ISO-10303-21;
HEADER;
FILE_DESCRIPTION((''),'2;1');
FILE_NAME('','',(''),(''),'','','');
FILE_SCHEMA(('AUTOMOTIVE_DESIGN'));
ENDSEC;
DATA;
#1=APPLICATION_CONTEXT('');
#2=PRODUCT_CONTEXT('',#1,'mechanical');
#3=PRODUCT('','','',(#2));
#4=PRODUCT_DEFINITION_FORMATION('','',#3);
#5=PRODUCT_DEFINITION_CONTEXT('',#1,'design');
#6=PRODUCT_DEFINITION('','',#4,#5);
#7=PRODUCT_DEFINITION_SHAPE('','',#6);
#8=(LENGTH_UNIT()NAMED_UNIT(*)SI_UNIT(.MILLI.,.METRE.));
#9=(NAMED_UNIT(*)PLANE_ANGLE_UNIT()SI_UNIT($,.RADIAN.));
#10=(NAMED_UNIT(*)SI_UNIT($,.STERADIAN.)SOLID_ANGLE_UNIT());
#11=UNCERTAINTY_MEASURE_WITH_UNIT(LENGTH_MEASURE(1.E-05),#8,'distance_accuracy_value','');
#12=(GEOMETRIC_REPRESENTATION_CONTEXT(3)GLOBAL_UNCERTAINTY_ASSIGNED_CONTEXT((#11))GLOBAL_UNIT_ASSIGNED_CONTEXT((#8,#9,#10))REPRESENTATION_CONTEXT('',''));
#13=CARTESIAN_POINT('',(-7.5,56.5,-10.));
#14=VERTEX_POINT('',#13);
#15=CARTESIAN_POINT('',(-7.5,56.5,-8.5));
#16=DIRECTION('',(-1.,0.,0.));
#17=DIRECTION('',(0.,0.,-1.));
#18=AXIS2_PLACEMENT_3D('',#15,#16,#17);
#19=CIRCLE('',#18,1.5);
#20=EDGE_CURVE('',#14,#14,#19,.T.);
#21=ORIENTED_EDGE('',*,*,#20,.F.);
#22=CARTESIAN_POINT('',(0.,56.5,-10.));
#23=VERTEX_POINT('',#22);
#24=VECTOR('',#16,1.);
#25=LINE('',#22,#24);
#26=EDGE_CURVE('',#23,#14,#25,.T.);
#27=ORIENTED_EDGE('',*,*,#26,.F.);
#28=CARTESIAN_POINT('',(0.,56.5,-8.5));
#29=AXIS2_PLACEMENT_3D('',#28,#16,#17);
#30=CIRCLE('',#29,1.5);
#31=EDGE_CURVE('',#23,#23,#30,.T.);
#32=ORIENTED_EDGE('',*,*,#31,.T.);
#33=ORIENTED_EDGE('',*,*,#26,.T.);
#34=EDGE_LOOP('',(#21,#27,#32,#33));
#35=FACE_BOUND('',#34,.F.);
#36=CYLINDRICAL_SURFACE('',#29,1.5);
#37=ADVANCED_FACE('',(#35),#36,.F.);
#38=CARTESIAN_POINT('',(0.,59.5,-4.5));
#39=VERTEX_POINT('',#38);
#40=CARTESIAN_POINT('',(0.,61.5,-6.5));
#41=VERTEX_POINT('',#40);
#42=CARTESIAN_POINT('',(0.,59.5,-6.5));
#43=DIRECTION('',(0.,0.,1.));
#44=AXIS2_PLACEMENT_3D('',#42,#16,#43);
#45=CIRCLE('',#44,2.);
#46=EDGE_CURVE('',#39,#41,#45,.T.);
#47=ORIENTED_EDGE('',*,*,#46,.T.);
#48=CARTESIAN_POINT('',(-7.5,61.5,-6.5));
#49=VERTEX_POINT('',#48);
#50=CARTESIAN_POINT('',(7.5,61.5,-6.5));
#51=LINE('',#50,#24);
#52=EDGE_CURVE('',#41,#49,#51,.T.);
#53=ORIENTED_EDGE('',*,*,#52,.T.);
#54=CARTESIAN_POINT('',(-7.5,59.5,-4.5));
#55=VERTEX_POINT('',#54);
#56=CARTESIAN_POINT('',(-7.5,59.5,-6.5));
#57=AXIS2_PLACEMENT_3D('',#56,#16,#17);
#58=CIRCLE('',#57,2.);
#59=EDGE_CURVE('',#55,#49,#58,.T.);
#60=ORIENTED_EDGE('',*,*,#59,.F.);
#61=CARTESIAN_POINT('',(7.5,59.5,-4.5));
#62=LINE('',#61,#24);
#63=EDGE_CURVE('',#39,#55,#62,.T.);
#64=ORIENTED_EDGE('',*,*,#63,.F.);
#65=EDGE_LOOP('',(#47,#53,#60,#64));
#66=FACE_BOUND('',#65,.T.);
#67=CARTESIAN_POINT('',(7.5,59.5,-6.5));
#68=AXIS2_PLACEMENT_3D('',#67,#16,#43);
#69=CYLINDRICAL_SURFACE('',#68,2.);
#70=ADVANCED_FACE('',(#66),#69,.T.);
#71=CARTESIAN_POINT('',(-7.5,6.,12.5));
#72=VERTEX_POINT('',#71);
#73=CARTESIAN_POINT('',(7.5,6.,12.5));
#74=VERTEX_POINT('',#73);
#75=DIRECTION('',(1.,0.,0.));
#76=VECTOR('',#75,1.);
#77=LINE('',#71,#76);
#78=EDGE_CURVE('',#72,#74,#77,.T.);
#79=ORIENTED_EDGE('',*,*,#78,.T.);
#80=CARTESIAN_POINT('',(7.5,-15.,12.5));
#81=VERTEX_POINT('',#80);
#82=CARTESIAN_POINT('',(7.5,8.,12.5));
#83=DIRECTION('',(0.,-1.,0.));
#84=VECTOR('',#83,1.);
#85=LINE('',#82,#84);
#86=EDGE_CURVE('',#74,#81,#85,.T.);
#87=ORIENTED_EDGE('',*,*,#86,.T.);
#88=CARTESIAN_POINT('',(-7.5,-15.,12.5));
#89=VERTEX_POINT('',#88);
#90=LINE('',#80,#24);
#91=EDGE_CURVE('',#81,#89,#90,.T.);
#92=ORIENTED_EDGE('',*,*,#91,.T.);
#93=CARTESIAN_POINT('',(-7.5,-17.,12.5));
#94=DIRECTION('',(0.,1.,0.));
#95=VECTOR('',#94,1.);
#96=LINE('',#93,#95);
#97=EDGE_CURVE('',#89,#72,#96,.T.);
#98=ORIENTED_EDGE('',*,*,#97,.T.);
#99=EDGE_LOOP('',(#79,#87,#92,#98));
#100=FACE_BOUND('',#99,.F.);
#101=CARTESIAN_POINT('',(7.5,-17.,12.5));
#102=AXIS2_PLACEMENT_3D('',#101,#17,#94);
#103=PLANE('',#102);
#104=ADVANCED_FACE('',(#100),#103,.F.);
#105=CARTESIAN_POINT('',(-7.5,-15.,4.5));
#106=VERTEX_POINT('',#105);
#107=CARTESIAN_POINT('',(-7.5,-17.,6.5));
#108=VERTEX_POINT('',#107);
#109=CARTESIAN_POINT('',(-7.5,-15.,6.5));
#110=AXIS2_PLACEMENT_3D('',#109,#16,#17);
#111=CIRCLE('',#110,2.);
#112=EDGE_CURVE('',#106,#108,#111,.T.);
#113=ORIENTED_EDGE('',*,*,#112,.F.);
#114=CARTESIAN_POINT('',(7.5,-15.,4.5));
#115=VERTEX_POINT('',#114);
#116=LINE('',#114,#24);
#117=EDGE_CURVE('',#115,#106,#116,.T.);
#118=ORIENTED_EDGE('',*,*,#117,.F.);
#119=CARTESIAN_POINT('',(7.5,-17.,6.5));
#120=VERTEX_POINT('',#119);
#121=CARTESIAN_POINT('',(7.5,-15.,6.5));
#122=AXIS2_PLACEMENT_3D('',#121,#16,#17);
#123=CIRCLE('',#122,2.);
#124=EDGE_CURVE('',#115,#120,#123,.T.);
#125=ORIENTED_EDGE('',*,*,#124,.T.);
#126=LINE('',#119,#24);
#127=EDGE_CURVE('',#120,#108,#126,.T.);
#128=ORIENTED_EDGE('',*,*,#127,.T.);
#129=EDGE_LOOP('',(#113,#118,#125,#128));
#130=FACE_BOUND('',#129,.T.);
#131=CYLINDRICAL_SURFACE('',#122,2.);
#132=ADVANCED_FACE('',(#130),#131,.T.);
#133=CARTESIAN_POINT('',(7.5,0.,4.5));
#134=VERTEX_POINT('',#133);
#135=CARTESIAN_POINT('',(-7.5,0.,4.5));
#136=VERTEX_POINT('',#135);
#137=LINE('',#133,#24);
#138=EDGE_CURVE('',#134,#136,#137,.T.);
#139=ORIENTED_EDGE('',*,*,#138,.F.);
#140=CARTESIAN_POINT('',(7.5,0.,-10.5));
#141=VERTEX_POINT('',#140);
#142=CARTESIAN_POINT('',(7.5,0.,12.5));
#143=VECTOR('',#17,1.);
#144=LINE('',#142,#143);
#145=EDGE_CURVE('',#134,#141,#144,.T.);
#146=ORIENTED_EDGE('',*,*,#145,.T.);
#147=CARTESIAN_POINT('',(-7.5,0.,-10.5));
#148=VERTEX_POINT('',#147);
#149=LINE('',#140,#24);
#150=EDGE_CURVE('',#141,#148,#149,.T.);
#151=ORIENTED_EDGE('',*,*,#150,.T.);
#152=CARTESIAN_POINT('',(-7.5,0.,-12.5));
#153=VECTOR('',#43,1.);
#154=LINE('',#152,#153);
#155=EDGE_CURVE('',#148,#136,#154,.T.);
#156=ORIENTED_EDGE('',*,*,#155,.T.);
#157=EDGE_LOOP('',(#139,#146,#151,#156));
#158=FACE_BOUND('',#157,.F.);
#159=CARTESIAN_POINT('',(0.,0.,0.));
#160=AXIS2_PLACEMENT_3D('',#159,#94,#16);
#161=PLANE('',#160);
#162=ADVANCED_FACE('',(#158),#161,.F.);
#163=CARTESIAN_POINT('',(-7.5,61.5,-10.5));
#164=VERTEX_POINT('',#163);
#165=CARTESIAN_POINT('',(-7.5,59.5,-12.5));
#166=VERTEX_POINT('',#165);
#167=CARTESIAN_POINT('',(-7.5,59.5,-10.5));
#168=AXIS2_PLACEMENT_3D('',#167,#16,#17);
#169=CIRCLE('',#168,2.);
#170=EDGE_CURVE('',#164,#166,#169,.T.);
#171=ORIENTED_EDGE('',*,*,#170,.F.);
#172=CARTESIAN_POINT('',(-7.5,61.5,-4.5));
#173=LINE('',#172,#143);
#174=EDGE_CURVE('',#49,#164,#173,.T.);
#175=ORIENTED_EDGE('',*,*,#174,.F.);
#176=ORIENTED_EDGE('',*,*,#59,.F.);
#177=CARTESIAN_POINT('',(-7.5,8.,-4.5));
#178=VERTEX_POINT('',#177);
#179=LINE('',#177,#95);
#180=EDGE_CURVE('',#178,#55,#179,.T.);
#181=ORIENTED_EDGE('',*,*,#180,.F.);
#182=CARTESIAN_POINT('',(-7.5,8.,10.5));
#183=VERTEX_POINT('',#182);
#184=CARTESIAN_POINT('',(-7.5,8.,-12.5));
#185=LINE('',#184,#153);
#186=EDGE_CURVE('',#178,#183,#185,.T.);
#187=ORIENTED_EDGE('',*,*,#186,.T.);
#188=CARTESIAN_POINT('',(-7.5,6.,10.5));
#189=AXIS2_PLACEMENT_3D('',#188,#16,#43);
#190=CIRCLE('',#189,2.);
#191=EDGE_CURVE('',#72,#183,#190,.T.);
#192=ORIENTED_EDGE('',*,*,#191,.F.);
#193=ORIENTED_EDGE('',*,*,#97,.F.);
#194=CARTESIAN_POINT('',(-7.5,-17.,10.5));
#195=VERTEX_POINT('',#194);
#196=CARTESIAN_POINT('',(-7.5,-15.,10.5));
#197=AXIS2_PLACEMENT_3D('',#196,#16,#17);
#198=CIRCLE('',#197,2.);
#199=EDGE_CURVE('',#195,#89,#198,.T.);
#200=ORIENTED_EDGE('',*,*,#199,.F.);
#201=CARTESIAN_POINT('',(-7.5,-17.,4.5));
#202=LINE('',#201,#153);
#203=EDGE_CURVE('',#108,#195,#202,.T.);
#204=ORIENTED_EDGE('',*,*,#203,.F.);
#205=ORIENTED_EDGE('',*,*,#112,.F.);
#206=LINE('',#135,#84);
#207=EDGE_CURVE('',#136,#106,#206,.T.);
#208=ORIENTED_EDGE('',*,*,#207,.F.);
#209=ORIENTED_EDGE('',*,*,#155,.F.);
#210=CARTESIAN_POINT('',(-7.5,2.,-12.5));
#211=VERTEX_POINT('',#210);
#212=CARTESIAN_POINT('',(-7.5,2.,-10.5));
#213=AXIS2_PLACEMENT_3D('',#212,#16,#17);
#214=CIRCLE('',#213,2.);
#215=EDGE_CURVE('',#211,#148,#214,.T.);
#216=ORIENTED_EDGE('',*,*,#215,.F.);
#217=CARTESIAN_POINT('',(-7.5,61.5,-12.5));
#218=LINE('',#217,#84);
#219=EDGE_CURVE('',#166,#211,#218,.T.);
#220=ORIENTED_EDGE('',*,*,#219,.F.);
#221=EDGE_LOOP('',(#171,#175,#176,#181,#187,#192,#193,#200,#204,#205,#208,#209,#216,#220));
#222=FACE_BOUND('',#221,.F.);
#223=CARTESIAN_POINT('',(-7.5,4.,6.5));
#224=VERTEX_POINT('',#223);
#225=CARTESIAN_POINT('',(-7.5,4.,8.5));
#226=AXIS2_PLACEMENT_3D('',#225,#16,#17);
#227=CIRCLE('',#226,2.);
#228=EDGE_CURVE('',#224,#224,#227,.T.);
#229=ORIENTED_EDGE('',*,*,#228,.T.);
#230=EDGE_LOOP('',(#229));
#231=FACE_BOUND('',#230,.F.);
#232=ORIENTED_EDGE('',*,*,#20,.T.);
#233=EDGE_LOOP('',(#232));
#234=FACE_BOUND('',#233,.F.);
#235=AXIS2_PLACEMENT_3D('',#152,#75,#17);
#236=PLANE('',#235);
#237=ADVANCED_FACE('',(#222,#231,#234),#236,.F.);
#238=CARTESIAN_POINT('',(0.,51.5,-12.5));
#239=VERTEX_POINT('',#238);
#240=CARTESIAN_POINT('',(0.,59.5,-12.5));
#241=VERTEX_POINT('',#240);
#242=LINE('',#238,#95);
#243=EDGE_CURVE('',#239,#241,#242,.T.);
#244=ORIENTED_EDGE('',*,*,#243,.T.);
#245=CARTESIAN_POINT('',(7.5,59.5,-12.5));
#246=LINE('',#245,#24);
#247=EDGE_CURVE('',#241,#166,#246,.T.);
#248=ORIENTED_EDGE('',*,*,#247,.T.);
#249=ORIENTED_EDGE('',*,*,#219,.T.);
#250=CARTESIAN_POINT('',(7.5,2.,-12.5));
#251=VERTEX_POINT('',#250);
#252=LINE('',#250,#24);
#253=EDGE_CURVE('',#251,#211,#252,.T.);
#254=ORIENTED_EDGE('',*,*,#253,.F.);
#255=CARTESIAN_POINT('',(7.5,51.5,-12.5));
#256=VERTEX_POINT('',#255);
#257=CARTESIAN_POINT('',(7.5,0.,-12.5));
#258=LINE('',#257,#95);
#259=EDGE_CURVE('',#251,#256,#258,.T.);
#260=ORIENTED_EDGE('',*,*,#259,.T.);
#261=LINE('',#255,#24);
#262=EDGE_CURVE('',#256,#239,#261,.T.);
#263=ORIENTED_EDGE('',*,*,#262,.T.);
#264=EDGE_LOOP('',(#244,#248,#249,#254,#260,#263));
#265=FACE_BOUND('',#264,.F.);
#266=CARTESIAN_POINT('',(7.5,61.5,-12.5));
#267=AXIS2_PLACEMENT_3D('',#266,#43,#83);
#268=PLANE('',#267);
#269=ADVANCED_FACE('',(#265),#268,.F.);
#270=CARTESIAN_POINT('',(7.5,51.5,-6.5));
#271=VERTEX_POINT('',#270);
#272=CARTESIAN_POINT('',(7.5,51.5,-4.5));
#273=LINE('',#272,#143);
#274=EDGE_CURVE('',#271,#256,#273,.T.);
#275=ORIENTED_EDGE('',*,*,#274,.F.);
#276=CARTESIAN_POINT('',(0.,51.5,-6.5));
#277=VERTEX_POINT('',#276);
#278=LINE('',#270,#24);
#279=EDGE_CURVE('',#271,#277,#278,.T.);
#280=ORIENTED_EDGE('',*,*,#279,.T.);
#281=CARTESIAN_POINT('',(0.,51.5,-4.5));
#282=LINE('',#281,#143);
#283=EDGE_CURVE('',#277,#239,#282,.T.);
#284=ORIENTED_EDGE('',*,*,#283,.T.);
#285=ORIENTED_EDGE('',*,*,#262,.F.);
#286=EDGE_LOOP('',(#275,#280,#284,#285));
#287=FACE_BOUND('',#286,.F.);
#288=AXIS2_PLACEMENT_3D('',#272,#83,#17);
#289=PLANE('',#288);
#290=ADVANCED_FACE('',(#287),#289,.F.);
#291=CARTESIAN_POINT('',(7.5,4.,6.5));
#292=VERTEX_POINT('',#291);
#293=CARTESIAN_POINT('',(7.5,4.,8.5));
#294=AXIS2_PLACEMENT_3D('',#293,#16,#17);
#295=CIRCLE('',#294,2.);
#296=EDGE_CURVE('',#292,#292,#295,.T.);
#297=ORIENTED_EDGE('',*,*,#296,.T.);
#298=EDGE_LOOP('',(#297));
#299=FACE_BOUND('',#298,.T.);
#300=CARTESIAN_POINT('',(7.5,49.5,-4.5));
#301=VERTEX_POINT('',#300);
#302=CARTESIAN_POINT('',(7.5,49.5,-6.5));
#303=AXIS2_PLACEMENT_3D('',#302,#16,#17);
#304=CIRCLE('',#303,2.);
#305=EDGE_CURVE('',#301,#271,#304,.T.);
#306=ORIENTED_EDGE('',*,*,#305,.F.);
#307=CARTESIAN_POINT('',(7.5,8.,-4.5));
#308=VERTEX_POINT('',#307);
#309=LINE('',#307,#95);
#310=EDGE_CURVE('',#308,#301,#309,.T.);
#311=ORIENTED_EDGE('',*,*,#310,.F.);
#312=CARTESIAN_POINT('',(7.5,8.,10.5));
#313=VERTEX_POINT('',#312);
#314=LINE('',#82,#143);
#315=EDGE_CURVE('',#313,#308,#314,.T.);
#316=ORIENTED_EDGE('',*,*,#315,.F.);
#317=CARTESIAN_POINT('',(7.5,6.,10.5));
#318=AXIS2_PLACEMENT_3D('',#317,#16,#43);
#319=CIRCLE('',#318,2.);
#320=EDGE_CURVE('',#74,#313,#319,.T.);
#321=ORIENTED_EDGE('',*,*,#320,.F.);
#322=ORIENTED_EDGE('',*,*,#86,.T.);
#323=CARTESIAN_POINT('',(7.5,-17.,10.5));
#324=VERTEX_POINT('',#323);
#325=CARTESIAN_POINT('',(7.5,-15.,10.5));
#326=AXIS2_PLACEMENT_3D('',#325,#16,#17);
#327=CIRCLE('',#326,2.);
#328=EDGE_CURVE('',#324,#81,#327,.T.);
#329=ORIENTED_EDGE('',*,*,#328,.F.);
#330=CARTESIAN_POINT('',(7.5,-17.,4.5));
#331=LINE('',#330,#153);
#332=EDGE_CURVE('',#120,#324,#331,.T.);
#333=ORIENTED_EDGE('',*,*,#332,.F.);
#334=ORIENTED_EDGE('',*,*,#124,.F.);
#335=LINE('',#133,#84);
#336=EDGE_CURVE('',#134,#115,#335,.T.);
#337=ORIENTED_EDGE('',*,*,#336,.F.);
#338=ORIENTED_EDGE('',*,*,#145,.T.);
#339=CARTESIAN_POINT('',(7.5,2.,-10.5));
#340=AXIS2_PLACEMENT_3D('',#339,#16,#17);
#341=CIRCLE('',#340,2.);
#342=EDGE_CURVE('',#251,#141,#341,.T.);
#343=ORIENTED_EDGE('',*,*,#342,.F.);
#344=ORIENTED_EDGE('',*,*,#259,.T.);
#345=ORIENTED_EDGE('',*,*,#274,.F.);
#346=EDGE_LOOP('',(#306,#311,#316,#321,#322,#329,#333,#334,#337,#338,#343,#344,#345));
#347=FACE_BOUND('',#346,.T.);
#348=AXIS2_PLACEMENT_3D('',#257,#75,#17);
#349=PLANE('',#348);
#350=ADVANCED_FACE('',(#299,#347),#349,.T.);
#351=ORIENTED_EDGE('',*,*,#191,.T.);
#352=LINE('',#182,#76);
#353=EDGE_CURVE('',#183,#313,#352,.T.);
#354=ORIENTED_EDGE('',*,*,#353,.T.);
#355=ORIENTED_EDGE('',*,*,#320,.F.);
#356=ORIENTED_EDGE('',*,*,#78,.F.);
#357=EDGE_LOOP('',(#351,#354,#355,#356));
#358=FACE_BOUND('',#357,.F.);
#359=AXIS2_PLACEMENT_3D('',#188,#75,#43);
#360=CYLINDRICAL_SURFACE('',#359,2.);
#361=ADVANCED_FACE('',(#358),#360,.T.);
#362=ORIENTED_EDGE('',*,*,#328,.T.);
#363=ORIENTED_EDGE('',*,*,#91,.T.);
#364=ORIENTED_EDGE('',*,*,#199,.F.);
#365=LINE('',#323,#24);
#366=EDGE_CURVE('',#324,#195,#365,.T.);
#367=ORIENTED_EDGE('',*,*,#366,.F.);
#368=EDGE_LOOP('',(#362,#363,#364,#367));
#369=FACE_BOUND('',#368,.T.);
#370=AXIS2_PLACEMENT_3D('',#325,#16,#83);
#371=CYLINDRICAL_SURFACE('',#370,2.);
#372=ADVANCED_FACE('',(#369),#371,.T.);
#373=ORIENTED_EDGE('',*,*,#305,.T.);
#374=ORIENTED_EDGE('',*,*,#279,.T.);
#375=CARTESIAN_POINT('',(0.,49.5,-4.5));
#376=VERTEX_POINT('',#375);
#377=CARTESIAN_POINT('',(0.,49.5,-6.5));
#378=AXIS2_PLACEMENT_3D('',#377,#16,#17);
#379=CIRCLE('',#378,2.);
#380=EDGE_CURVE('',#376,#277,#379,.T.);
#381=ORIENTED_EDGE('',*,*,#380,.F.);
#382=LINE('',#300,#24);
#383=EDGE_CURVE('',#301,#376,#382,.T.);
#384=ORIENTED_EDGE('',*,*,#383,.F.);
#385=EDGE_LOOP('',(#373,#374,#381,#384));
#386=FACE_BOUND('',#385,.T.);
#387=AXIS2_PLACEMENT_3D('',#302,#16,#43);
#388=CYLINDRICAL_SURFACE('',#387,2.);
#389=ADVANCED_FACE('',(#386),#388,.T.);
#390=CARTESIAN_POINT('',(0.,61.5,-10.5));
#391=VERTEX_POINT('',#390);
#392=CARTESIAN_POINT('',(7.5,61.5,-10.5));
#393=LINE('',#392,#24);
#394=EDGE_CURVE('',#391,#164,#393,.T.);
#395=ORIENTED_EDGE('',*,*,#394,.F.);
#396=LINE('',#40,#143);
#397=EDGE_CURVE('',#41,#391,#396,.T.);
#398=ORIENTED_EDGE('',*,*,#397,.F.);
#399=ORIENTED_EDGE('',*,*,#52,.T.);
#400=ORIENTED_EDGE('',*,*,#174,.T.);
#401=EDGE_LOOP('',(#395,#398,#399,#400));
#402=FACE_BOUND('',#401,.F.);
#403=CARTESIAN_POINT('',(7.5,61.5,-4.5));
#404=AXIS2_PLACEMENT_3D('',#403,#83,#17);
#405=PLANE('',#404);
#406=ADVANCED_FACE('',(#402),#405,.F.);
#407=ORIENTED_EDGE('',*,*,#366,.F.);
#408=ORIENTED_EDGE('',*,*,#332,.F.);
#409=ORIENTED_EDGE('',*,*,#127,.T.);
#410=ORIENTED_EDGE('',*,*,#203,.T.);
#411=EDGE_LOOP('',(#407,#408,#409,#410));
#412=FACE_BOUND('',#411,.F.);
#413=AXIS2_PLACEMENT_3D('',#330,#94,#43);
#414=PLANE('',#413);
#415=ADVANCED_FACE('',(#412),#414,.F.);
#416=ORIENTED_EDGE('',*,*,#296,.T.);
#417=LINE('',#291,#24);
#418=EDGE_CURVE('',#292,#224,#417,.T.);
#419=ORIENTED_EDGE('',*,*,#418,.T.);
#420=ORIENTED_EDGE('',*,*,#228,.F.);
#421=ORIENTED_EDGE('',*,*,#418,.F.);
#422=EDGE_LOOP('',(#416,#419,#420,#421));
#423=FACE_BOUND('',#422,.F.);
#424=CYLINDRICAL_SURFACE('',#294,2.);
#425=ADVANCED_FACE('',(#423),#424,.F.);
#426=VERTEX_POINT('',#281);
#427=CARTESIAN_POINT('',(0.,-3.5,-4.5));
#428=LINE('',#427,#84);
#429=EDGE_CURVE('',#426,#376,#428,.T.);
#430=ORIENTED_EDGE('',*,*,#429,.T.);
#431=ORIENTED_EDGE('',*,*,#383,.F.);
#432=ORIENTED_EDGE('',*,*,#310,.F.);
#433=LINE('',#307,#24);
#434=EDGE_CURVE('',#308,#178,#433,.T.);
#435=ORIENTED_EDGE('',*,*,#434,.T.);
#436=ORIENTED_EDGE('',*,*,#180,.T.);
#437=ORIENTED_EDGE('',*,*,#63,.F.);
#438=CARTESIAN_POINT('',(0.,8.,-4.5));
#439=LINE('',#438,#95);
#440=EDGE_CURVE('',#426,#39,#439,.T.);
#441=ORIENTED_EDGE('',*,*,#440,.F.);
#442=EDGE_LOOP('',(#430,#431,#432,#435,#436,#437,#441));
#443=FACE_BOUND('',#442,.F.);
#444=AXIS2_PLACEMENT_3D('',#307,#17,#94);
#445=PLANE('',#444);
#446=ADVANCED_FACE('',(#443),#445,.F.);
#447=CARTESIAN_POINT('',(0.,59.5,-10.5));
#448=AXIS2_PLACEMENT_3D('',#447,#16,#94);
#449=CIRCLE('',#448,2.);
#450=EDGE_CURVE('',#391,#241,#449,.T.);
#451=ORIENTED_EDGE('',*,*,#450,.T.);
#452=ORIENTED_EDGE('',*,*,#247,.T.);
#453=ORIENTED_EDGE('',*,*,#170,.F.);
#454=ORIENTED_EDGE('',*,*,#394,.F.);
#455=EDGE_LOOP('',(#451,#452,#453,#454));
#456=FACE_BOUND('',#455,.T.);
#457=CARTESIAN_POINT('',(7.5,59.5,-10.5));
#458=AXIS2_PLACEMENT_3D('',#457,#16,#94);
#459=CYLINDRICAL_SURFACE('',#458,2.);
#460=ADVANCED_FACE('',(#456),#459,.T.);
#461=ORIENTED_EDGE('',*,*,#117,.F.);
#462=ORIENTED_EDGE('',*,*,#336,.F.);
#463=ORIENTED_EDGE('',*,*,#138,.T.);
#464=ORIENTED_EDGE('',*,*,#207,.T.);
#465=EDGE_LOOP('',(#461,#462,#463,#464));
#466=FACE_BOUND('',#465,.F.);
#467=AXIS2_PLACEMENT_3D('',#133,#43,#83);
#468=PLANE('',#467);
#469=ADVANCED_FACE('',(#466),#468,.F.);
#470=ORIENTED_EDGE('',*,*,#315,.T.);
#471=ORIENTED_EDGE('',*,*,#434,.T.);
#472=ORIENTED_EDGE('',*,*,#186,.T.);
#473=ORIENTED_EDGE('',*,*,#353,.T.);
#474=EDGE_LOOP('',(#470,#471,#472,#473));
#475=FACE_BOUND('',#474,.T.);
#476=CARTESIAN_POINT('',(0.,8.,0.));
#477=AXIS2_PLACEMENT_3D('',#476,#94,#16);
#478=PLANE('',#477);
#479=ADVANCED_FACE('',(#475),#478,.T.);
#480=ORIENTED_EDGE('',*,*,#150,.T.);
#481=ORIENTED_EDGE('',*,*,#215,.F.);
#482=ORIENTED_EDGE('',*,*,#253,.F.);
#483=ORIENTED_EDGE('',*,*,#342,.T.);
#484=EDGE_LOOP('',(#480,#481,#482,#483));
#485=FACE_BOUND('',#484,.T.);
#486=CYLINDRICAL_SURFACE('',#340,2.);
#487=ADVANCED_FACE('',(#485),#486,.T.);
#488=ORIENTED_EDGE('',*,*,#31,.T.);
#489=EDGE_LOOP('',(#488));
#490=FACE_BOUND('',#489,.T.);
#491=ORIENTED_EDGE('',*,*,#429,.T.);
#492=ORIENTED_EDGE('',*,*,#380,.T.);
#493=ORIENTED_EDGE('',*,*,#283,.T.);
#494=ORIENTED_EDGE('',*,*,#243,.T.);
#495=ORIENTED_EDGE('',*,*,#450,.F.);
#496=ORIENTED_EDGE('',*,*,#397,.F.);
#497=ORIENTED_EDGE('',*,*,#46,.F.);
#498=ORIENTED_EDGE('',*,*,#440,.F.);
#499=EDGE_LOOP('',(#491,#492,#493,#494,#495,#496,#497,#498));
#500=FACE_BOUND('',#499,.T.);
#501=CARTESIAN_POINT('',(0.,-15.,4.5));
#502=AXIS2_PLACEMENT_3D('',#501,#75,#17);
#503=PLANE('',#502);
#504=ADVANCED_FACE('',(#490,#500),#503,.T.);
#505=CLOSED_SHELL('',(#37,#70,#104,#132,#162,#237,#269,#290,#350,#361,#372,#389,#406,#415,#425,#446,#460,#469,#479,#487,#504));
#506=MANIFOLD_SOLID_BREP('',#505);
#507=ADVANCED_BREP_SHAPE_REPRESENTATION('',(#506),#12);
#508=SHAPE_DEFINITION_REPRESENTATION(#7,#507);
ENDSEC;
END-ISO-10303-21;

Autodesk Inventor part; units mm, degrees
ref_plane "YZ Plane" through (0, 0, 0) normal (1, 0, 0) x (0, 1, 0)
ref_plane "XZ Plane" through (0, 0, 0) normal (0, 1, 0) x (-1, 0, 0)
ref_plane "XY Plane" through (0, 0, 0) normal (0, 0, 1) x (1, 0, 0)
sketch "Sketch1" plane through (0, 0, 0) normal (0, 1, 0) x (-1, 0, 0)
  line L0 (-7.5, -12.5) -> (7.5, -12.5)
  line L1 (7.5, -12.5) -> (7.5, 12.5)
  line L2 (7.5, 12.5) -> (-7.5, 12.5)
  line L3 (-7.5, 12.5) -> (-7.5, -12.5)
  line L4 (-7.5, -12.5) -> (7.5, 12.5) construction
  line L5 (7.5, -12.5) -> (-7.5, 12.5) construction
  point P0 (0, 0)
  dimension "d0" = 15
  dimension "d1" = 25
extrude "Extrusion1" add sketch "Sketch1" along normal blind 8
sketch "Sketch2" plane through (7.5, 0, -12.5) normal (1, 0, 0) x (0, 0, -1)
  line L0 (-25, 0) -> (-25, 8) projected
  line L1 (-25, 8) -> (0, 8) projected
  point P0 (-12.5, 0)
  point P1 (-21, 4)
  point P2 (-25, 2)
  point P3 (-25, 6)
  point P4 (-23, 8)
  dimension "d5" = 4
  dimension "d6" = 4
hole "Hole1" at (7.5, 4, 8.5) direction (-1, 0, 0) diameter 4 end through all
sketch "Sketch4" plane through (7.5, 0, -12.5) normal (1, 0, 0) x (0, 0, -1)
  point P0 (-12.5, 0)
sketch "Sketch5" plane through (7.5, 0, 12.5) normal (1, 0, 0) x (0, 0, -1)
  line L0 (25, 0) -> (0, 0) projected
  line L1 (0, 0) -> (8, 0)
  line L2 (8, 0) -> (8, -17)
  line L3 (8, -17) -> (0, -17)
  line L4 (0, -17) -> (0, 0)
  point P0 (12.5, 0)
  dimension "d20" = 8
  dimension "d21" = 17
extrude "Extrusion3" add sketch "Sketch5" against normal blind 15
fillet "Fillet3" radius 2 3 edges at (0, -17, 12.5) (0, -17, 4.5) (0, 8, 12.5)
sketch "Sketch6" plane through (7.5, 0, -12.5) normal (1, 0, 0) x (0, 0, -1)
  line L0 (0, 8) -> (-23, 8) projected
  line L1 (0, 8) -> (-8, 8)
  line L2 (-8, 8) -> (-8, 61.5)
  line L3 (-8, 61.5) -> (0, 61.5)
  line L4 (0, 61.5) -> (0, 8)
  point P0 (-12.5, 0)
  dimension "d25" = 8
  dimension "d26" = 53.5
extrude "Extrusion4" add sketch "Sketch6" against normal blind 15
fillet "Fillet4" radius 2 3 edges at (0, 0, -12.5) (0, 61.5, -4.5) (0, 61.5, -12.5)
sketch "Sketch7" plane through (7.5, -15, 4.5) normal (1, 0, 0) x (0, 0, -1)
  line L0 (9, 23) -> (9, 74.5) projected
  line L1 (17, 76.5) -> (9, 76.5)
  line L2 (9, 76.5) -> (9, 66.5)
  line L3 (9, 66.5) -> (17, 66.5)
  line L4 (17, 66.5) -> (17, 76.5)
  line L5 (11, 76.5) -> (15, 76.5) projected
  point P0 (4.5, 15)
  dimension "d30" = 10
  dimension "d43" = 0
extrude "Extrusion5" cut sketch "Sketch7" against normal blind 7.5
sketch "Sketch8" plane through (0, -15, 4.5) normal (1, 0, 0) x (0, 0, -1)
  line L0 (17, 74.5) -> (17, 66.5) projected
  line L1 (11, 76.5) -> (15, 76.5) projected
  point P0 (4.5, 15)
  point P1 (13, 71.5)
  dimension "d33" = 4
  dimension "d34" = 5
hole "Hole2" at (0, 56.5, -8.5) direction (-1, 0, 0) diameter 3 end through all
fillet "Fillet5" radius 2 1 edges at (3.75, 51.5, -4.5)
properties part number "Lever"
